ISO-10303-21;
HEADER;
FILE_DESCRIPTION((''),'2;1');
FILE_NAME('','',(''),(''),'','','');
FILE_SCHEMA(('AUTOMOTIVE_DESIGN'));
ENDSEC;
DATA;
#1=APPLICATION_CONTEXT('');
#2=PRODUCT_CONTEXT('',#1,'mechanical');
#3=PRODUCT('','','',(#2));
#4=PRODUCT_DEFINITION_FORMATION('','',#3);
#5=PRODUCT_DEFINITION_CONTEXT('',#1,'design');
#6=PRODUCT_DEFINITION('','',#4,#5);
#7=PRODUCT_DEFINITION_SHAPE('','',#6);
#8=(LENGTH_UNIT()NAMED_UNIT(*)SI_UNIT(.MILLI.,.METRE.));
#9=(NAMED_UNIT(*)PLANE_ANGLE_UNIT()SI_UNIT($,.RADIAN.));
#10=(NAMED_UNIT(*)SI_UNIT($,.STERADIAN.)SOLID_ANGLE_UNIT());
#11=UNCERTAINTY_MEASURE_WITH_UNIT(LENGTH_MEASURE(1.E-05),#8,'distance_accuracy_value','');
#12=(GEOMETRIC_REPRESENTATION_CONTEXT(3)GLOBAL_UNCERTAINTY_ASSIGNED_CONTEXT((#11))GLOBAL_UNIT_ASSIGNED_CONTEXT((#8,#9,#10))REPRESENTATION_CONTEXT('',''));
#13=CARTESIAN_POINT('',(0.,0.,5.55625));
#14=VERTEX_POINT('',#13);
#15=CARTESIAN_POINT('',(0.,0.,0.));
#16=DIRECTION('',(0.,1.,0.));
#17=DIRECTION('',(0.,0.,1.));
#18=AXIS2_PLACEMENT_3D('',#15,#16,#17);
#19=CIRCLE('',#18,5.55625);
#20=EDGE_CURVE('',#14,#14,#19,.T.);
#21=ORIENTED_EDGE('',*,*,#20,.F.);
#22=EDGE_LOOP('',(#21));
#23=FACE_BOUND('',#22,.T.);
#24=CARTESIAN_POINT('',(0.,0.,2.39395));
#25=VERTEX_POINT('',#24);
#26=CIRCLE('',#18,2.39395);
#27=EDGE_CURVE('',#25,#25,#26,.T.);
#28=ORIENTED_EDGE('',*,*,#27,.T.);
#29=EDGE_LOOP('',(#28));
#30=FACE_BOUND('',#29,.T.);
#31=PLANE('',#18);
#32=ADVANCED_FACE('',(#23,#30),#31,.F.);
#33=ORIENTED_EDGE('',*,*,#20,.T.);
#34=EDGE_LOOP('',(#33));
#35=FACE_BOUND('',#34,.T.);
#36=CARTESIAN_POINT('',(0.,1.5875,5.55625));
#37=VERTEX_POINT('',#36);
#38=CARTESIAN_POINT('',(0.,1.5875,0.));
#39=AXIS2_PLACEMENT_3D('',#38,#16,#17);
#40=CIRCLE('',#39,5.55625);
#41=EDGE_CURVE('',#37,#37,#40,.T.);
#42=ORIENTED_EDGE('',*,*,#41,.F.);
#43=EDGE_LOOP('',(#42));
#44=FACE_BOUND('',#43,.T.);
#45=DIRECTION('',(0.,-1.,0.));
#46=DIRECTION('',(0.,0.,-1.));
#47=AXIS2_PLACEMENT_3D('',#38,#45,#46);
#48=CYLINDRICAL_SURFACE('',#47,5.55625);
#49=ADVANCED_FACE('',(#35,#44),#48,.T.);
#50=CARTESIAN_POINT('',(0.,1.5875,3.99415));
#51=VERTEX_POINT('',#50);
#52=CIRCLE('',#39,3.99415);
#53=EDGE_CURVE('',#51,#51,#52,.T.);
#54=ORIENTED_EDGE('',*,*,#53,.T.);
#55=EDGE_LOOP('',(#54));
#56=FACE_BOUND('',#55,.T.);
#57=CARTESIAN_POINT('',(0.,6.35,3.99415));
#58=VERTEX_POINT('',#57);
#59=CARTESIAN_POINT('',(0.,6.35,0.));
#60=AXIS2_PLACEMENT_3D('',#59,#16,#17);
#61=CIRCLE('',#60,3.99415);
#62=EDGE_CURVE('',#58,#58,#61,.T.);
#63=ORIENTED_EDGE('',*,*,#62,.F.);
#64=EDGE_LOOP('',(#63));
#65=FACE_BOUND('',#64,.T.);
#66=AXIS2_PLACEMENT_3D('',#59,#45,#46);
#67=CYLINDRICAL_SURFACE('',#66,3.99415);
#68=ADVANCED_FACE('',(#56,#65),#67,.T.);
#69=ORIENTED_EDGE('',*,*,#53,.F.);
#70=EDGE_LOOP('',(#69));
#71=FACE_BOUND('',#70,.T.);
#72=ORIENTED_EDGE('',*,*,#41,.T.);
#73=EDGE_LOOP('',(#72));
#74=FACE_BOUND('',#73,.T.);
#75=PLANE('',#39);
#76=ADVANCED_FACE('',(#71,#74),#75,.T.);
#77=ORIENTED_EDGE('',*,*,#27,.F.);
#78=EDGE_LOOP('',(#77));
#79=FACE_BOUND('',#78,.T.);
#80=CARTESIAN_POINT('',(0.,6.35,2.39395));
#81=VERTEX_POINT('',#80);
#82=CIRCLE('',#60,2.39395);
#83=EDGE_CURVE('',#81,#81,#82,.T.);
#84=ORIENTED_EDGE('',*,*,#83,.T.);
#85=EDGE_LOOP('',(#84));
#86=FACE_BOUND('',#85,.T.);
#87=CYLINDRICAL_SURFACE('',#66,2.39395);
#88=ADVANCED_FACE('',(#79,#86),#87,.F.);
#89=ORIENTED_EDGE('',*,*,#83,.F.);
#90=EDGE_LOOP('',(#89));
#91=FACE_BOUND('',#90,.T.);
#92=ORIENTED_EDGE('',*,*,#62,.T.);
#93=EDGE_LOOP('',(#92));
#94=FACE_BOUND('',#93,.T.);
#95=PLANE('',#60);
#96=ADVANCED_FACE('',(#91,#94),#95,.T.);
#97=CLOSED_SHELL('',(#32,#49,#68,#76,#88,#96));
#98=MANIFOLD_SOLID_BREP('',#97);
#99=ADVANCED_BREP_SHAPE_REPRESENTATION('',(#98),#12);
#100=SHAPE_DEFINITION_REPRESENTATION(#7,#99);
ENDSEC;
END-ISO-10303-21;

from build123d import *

# Parameters (mm, degrees)
SKETCH2_R           = 3.99415
SKETCH2_R_2         = 2.39395
BOSS_EXTRUDE1_DEPTH = 6.35
SKETCH3_R           = 5.55625
SKETCH3_R_2         = 3.99415
BOSS_EXTRUDE2_DEPTH = 1.5875


with BuildPart() as part:
    # Sketch2 → Boss-Extrude1 (new body)
    with BuildSketch(Plane(origin=(0, 0, 0), x_dir=(1, 0, 0), z_dir=(0, 1, 0))):
        Circle(SKETCH2_R)
        Circle(SKETCH2_R_2, mode=Mode.SUBTRACT)
    extrude(amount=BOSS_EXTRUDE1_DEPTH)

    # Sketch3 → Boss-Extrude2 (add)
    with BuildSketch(Plane(origin=(0, 0, 0), x_dir=(1, 0, 0), z_dir=(0, 1, 0))):
        Circle(SKETCH3_R)
        Circle(SKETCH3_R_2, mode=Mode.SUBTRACT)
    extrude(amount=BOSS_EXTRUDE2_DEPTH)


solid = part.part
